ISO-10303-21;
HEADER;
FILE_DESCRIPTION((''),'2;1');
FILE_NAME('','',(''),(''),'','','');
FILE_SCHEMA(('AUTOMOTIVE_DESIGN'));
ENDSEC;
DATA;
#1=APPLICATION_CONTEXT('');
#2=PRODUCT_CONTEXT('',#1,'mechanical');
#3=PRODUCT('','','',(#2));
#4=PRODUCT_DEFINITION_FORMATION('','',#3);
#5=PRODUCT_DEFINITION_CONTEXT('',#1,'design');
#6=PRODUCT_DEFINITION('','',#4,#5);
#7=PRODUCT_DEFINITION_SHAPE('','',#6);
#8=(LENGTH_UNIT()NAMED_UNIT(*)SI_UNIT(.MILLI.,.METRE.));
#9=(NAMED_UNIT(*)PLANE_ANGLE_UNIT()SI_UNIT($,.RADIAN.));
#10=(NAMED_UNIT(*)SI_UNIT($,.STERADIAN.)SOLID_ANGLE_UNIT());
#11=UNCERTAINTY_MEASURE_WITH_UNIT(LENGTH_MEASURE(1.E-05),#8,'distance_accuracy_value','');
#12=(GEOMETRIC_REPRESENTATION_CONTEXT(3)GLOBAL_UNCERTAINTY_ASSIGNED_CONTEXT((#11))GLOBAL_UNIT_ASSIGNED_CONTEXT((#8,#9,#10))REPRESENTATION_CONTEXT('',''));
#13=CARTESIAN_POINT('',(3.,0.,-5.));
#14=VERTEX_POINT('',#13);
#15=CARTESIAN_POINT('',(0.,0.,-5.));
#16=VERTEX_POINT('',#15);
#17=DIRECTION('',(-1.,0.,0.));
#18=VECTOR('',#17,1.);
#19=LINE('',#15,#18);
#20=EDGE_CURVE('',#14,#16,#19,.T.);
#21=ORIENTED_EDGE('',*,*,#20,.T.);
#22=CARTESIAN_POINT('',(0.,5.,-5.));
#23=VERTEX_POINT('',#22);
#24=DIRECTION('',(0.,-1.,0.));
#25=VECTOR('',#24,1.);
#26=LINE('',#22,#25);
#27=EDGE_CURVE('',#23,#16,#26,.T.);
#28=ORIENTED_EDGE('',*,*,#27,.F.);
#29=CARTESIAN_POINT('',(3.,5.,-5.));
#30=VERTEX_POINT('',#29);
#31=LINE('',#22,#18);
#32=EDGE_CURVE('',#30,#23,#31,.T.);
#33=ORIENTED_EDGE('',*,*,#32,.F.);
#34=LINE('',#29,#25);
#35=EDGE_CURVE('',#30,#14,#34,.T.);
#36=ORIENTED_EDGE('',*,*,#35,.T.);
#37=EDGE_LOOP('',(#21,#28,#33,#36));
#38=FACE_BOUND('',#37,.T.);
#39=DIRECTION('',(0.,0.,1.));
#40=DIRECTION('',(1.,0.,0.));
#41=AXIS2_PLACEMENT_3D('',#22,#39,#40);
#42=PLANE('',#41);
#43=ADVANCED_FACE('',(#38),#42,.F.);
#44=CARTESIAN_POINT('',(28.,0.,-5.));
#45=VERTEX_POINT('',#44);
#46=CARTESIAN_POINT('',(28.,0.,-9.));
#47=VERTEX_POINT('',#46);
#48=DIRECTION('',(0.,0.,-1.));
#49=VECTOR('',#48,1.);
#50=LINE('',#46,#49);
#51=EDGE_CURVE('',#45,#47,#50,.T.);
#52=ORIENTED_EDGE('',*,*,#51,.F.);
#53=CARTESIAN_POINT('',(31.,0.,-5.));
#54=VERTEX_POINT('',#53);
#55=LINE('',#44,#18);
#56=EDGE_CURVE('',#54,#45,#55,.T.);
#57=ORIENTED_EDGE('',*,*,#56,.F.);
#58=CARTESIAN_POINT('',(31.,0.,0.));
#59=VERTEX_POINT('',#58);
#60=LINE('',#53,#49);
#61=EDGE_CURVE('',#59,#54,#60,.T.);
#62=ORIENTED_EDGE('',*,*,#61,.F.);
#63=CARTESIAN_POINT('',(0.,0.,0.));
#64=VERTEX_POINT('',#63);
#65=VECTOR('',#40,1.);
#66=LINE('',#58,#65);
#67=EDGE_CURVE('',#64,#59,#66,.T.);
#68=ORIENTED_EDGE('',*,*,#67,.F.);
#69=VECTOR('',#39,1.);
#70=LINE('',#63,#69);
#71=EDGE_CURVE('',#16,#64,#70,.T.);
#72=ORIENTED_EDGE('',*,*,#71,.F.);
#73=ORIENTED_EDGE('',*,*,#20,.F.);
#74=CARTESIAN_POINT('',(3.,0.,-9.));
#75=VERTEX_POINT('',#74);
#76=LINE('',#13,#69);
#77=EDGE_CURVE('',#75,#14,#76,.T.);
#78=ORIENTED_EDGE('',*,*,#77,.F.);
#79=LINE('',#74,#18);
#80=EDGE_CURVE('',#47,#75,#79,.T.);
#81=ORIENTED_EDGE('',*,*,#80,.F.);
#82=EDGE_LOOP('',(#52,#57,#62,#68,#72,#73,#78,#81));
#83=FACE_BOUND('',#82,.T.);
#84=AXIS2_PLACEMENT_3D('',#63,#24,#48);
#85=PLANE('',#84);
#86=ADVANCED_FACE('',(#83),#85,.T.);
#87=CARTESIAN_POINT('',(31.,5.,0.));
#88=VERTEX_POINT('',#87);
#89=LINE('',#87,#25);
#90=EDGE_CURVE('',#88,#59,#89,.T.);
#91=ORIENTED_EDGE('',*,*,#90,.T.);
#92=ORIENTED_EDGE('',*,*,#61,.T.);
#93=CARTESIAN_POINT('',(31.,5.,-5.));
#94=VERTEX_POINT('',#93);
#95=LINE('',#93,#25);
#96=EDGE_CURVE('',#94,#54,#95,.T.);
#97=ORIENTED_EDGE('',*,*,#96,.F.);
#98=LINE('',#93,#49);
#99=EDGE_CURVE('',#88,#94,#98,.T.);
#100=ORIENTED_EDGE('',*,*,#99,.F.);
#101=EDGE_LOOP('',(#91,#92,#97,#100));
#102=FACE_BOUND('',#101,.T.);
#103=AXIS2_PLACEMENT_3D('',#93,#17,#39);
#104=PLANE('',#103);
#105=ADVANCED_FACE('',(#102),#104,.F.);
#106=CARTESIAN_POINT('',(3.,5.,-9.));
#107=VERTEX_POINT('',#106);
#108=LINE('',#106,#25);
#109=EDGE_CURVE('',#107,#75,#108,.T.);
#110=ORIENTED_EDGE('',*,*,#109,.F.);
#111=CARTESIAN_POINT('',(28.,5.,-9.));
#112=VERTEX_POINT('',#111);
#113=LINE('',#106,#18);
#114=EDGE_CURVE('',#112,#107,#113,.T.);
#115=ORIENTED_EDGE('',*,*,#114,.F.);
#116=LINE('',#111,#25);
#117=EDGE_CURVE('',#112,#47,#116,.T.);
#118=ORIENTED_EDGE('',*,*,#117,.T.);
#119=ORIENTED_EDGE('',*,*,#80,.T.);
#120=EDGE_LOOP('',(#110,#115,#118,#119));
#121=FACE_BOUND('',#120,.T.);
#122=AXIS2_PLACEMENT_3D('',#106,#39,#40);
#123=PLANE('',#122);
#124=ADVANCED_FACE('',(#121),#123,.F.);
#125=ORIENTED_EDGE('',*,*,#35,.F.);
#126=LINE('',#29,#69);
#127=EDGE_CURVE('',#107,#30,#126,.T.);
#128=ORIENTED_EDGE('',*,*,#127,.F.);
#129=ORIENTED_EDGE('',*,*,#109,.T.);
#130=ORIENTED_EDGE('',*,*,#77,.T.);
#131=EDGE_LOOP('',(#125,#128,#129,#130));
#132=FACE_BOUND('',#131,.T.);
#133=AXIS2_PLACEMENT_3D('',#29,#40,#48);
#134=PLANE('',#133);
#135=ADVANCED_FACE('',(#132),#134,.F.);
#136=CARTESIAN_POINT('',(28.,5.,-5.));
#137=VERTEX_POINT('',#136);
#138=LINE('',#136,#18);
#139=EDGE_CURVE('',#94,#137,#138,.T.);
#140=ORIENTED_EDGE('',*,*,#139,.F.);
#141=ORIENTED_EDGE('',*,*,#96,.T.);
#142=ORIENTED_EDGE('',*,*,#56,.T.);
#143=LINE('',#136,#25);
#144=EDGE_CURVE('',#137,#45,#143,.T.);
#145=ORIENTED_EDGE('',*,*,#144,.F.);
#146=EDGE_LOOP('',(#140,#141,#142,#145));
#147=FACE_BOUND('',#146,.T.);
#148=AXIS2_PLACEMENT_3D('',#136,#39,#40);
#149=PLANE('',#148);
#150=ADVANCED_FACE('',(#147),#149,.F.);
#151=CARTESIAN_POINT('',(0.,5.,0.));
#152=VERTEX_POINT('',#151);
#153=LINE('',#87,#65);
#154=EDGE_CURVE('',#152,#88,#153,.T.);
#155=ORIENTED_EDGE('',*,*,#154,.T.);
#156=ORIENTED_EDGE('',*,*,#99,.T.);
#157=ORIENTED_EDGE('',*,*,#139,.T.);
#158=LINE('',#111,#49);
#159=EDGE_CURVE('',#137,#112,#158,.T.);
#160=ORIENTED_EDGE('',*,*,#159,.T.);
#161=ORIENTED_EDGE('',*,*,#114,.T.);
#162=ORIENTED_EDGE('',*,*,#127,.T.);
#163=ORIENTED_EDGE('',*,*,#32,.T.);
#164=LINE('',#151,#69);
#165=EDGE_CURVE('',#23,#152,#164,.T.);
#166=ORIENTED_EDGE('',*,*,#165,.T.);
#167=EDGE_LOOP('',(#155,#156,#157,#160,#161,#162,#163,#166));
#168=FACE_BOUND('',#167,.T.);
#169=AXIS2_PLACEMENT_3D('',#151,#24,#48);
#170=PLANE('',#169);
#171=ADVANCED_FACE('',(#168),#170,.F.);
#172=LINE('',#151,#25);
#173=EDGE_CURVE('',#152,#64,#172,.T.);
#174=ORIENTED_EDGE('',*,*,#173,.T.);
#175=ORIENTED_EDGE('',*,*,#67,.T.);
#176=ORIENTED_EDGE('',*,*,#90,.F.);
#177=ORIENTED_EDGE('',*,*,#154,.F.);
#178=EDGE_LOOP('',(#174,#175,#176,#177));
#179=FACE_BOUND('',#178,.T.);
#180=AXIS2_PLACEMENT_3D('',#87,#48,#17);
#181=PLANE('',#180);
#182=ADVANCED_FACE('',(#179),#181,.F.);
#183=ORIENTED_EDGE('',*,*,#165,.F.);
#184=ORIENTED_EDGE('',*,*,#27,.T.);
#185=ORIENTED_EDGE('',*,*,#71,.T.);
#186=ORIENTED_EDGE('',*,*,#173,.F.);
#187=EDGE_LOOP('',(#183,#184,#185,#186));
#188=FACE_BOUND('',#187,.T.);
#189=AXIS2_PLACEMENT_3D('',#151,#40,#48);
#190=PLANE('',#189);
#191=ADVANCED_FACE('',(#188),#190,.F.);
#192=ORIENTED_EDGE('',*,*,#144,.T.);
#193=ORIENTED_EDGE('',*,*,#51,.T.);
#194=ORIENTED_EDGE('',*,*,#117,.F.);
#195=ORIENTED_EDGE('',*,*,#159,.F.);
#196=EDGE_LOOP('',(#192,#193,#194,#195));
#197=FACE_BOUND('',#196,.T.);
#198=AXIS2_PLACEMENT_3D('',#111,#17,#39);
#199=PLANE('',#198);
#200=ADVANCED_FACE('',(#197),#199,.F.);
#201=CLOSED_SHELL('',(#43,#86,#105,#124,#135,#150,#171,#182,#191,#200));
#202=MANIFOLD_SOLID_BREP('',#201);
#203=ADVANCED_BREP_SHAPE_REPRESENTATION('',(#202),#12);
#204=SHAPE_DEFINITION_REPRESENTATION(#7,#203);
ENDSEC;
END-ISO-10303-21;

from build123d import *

# Parameters (mm, degrees)
BOSS_EXTRUDE1_DEPTH = 5


with BuildPart() as part:
    # Sketch1 → Boss-Extrude1 (new body)
    with BuildSketch(Plane(origin=(0, 0, 0), x_dir=(1, 0, 0), z_dir=(0, 1, 0))):
        Polygon((0, 0), (0, 5), (3, 5), (3, 9), (28, 9), (28, 5), (31, 5), (31, 0), align=None)
    extrude(amount=BOSS_EXTRUDE1_DEPTH)


solid = part.part
